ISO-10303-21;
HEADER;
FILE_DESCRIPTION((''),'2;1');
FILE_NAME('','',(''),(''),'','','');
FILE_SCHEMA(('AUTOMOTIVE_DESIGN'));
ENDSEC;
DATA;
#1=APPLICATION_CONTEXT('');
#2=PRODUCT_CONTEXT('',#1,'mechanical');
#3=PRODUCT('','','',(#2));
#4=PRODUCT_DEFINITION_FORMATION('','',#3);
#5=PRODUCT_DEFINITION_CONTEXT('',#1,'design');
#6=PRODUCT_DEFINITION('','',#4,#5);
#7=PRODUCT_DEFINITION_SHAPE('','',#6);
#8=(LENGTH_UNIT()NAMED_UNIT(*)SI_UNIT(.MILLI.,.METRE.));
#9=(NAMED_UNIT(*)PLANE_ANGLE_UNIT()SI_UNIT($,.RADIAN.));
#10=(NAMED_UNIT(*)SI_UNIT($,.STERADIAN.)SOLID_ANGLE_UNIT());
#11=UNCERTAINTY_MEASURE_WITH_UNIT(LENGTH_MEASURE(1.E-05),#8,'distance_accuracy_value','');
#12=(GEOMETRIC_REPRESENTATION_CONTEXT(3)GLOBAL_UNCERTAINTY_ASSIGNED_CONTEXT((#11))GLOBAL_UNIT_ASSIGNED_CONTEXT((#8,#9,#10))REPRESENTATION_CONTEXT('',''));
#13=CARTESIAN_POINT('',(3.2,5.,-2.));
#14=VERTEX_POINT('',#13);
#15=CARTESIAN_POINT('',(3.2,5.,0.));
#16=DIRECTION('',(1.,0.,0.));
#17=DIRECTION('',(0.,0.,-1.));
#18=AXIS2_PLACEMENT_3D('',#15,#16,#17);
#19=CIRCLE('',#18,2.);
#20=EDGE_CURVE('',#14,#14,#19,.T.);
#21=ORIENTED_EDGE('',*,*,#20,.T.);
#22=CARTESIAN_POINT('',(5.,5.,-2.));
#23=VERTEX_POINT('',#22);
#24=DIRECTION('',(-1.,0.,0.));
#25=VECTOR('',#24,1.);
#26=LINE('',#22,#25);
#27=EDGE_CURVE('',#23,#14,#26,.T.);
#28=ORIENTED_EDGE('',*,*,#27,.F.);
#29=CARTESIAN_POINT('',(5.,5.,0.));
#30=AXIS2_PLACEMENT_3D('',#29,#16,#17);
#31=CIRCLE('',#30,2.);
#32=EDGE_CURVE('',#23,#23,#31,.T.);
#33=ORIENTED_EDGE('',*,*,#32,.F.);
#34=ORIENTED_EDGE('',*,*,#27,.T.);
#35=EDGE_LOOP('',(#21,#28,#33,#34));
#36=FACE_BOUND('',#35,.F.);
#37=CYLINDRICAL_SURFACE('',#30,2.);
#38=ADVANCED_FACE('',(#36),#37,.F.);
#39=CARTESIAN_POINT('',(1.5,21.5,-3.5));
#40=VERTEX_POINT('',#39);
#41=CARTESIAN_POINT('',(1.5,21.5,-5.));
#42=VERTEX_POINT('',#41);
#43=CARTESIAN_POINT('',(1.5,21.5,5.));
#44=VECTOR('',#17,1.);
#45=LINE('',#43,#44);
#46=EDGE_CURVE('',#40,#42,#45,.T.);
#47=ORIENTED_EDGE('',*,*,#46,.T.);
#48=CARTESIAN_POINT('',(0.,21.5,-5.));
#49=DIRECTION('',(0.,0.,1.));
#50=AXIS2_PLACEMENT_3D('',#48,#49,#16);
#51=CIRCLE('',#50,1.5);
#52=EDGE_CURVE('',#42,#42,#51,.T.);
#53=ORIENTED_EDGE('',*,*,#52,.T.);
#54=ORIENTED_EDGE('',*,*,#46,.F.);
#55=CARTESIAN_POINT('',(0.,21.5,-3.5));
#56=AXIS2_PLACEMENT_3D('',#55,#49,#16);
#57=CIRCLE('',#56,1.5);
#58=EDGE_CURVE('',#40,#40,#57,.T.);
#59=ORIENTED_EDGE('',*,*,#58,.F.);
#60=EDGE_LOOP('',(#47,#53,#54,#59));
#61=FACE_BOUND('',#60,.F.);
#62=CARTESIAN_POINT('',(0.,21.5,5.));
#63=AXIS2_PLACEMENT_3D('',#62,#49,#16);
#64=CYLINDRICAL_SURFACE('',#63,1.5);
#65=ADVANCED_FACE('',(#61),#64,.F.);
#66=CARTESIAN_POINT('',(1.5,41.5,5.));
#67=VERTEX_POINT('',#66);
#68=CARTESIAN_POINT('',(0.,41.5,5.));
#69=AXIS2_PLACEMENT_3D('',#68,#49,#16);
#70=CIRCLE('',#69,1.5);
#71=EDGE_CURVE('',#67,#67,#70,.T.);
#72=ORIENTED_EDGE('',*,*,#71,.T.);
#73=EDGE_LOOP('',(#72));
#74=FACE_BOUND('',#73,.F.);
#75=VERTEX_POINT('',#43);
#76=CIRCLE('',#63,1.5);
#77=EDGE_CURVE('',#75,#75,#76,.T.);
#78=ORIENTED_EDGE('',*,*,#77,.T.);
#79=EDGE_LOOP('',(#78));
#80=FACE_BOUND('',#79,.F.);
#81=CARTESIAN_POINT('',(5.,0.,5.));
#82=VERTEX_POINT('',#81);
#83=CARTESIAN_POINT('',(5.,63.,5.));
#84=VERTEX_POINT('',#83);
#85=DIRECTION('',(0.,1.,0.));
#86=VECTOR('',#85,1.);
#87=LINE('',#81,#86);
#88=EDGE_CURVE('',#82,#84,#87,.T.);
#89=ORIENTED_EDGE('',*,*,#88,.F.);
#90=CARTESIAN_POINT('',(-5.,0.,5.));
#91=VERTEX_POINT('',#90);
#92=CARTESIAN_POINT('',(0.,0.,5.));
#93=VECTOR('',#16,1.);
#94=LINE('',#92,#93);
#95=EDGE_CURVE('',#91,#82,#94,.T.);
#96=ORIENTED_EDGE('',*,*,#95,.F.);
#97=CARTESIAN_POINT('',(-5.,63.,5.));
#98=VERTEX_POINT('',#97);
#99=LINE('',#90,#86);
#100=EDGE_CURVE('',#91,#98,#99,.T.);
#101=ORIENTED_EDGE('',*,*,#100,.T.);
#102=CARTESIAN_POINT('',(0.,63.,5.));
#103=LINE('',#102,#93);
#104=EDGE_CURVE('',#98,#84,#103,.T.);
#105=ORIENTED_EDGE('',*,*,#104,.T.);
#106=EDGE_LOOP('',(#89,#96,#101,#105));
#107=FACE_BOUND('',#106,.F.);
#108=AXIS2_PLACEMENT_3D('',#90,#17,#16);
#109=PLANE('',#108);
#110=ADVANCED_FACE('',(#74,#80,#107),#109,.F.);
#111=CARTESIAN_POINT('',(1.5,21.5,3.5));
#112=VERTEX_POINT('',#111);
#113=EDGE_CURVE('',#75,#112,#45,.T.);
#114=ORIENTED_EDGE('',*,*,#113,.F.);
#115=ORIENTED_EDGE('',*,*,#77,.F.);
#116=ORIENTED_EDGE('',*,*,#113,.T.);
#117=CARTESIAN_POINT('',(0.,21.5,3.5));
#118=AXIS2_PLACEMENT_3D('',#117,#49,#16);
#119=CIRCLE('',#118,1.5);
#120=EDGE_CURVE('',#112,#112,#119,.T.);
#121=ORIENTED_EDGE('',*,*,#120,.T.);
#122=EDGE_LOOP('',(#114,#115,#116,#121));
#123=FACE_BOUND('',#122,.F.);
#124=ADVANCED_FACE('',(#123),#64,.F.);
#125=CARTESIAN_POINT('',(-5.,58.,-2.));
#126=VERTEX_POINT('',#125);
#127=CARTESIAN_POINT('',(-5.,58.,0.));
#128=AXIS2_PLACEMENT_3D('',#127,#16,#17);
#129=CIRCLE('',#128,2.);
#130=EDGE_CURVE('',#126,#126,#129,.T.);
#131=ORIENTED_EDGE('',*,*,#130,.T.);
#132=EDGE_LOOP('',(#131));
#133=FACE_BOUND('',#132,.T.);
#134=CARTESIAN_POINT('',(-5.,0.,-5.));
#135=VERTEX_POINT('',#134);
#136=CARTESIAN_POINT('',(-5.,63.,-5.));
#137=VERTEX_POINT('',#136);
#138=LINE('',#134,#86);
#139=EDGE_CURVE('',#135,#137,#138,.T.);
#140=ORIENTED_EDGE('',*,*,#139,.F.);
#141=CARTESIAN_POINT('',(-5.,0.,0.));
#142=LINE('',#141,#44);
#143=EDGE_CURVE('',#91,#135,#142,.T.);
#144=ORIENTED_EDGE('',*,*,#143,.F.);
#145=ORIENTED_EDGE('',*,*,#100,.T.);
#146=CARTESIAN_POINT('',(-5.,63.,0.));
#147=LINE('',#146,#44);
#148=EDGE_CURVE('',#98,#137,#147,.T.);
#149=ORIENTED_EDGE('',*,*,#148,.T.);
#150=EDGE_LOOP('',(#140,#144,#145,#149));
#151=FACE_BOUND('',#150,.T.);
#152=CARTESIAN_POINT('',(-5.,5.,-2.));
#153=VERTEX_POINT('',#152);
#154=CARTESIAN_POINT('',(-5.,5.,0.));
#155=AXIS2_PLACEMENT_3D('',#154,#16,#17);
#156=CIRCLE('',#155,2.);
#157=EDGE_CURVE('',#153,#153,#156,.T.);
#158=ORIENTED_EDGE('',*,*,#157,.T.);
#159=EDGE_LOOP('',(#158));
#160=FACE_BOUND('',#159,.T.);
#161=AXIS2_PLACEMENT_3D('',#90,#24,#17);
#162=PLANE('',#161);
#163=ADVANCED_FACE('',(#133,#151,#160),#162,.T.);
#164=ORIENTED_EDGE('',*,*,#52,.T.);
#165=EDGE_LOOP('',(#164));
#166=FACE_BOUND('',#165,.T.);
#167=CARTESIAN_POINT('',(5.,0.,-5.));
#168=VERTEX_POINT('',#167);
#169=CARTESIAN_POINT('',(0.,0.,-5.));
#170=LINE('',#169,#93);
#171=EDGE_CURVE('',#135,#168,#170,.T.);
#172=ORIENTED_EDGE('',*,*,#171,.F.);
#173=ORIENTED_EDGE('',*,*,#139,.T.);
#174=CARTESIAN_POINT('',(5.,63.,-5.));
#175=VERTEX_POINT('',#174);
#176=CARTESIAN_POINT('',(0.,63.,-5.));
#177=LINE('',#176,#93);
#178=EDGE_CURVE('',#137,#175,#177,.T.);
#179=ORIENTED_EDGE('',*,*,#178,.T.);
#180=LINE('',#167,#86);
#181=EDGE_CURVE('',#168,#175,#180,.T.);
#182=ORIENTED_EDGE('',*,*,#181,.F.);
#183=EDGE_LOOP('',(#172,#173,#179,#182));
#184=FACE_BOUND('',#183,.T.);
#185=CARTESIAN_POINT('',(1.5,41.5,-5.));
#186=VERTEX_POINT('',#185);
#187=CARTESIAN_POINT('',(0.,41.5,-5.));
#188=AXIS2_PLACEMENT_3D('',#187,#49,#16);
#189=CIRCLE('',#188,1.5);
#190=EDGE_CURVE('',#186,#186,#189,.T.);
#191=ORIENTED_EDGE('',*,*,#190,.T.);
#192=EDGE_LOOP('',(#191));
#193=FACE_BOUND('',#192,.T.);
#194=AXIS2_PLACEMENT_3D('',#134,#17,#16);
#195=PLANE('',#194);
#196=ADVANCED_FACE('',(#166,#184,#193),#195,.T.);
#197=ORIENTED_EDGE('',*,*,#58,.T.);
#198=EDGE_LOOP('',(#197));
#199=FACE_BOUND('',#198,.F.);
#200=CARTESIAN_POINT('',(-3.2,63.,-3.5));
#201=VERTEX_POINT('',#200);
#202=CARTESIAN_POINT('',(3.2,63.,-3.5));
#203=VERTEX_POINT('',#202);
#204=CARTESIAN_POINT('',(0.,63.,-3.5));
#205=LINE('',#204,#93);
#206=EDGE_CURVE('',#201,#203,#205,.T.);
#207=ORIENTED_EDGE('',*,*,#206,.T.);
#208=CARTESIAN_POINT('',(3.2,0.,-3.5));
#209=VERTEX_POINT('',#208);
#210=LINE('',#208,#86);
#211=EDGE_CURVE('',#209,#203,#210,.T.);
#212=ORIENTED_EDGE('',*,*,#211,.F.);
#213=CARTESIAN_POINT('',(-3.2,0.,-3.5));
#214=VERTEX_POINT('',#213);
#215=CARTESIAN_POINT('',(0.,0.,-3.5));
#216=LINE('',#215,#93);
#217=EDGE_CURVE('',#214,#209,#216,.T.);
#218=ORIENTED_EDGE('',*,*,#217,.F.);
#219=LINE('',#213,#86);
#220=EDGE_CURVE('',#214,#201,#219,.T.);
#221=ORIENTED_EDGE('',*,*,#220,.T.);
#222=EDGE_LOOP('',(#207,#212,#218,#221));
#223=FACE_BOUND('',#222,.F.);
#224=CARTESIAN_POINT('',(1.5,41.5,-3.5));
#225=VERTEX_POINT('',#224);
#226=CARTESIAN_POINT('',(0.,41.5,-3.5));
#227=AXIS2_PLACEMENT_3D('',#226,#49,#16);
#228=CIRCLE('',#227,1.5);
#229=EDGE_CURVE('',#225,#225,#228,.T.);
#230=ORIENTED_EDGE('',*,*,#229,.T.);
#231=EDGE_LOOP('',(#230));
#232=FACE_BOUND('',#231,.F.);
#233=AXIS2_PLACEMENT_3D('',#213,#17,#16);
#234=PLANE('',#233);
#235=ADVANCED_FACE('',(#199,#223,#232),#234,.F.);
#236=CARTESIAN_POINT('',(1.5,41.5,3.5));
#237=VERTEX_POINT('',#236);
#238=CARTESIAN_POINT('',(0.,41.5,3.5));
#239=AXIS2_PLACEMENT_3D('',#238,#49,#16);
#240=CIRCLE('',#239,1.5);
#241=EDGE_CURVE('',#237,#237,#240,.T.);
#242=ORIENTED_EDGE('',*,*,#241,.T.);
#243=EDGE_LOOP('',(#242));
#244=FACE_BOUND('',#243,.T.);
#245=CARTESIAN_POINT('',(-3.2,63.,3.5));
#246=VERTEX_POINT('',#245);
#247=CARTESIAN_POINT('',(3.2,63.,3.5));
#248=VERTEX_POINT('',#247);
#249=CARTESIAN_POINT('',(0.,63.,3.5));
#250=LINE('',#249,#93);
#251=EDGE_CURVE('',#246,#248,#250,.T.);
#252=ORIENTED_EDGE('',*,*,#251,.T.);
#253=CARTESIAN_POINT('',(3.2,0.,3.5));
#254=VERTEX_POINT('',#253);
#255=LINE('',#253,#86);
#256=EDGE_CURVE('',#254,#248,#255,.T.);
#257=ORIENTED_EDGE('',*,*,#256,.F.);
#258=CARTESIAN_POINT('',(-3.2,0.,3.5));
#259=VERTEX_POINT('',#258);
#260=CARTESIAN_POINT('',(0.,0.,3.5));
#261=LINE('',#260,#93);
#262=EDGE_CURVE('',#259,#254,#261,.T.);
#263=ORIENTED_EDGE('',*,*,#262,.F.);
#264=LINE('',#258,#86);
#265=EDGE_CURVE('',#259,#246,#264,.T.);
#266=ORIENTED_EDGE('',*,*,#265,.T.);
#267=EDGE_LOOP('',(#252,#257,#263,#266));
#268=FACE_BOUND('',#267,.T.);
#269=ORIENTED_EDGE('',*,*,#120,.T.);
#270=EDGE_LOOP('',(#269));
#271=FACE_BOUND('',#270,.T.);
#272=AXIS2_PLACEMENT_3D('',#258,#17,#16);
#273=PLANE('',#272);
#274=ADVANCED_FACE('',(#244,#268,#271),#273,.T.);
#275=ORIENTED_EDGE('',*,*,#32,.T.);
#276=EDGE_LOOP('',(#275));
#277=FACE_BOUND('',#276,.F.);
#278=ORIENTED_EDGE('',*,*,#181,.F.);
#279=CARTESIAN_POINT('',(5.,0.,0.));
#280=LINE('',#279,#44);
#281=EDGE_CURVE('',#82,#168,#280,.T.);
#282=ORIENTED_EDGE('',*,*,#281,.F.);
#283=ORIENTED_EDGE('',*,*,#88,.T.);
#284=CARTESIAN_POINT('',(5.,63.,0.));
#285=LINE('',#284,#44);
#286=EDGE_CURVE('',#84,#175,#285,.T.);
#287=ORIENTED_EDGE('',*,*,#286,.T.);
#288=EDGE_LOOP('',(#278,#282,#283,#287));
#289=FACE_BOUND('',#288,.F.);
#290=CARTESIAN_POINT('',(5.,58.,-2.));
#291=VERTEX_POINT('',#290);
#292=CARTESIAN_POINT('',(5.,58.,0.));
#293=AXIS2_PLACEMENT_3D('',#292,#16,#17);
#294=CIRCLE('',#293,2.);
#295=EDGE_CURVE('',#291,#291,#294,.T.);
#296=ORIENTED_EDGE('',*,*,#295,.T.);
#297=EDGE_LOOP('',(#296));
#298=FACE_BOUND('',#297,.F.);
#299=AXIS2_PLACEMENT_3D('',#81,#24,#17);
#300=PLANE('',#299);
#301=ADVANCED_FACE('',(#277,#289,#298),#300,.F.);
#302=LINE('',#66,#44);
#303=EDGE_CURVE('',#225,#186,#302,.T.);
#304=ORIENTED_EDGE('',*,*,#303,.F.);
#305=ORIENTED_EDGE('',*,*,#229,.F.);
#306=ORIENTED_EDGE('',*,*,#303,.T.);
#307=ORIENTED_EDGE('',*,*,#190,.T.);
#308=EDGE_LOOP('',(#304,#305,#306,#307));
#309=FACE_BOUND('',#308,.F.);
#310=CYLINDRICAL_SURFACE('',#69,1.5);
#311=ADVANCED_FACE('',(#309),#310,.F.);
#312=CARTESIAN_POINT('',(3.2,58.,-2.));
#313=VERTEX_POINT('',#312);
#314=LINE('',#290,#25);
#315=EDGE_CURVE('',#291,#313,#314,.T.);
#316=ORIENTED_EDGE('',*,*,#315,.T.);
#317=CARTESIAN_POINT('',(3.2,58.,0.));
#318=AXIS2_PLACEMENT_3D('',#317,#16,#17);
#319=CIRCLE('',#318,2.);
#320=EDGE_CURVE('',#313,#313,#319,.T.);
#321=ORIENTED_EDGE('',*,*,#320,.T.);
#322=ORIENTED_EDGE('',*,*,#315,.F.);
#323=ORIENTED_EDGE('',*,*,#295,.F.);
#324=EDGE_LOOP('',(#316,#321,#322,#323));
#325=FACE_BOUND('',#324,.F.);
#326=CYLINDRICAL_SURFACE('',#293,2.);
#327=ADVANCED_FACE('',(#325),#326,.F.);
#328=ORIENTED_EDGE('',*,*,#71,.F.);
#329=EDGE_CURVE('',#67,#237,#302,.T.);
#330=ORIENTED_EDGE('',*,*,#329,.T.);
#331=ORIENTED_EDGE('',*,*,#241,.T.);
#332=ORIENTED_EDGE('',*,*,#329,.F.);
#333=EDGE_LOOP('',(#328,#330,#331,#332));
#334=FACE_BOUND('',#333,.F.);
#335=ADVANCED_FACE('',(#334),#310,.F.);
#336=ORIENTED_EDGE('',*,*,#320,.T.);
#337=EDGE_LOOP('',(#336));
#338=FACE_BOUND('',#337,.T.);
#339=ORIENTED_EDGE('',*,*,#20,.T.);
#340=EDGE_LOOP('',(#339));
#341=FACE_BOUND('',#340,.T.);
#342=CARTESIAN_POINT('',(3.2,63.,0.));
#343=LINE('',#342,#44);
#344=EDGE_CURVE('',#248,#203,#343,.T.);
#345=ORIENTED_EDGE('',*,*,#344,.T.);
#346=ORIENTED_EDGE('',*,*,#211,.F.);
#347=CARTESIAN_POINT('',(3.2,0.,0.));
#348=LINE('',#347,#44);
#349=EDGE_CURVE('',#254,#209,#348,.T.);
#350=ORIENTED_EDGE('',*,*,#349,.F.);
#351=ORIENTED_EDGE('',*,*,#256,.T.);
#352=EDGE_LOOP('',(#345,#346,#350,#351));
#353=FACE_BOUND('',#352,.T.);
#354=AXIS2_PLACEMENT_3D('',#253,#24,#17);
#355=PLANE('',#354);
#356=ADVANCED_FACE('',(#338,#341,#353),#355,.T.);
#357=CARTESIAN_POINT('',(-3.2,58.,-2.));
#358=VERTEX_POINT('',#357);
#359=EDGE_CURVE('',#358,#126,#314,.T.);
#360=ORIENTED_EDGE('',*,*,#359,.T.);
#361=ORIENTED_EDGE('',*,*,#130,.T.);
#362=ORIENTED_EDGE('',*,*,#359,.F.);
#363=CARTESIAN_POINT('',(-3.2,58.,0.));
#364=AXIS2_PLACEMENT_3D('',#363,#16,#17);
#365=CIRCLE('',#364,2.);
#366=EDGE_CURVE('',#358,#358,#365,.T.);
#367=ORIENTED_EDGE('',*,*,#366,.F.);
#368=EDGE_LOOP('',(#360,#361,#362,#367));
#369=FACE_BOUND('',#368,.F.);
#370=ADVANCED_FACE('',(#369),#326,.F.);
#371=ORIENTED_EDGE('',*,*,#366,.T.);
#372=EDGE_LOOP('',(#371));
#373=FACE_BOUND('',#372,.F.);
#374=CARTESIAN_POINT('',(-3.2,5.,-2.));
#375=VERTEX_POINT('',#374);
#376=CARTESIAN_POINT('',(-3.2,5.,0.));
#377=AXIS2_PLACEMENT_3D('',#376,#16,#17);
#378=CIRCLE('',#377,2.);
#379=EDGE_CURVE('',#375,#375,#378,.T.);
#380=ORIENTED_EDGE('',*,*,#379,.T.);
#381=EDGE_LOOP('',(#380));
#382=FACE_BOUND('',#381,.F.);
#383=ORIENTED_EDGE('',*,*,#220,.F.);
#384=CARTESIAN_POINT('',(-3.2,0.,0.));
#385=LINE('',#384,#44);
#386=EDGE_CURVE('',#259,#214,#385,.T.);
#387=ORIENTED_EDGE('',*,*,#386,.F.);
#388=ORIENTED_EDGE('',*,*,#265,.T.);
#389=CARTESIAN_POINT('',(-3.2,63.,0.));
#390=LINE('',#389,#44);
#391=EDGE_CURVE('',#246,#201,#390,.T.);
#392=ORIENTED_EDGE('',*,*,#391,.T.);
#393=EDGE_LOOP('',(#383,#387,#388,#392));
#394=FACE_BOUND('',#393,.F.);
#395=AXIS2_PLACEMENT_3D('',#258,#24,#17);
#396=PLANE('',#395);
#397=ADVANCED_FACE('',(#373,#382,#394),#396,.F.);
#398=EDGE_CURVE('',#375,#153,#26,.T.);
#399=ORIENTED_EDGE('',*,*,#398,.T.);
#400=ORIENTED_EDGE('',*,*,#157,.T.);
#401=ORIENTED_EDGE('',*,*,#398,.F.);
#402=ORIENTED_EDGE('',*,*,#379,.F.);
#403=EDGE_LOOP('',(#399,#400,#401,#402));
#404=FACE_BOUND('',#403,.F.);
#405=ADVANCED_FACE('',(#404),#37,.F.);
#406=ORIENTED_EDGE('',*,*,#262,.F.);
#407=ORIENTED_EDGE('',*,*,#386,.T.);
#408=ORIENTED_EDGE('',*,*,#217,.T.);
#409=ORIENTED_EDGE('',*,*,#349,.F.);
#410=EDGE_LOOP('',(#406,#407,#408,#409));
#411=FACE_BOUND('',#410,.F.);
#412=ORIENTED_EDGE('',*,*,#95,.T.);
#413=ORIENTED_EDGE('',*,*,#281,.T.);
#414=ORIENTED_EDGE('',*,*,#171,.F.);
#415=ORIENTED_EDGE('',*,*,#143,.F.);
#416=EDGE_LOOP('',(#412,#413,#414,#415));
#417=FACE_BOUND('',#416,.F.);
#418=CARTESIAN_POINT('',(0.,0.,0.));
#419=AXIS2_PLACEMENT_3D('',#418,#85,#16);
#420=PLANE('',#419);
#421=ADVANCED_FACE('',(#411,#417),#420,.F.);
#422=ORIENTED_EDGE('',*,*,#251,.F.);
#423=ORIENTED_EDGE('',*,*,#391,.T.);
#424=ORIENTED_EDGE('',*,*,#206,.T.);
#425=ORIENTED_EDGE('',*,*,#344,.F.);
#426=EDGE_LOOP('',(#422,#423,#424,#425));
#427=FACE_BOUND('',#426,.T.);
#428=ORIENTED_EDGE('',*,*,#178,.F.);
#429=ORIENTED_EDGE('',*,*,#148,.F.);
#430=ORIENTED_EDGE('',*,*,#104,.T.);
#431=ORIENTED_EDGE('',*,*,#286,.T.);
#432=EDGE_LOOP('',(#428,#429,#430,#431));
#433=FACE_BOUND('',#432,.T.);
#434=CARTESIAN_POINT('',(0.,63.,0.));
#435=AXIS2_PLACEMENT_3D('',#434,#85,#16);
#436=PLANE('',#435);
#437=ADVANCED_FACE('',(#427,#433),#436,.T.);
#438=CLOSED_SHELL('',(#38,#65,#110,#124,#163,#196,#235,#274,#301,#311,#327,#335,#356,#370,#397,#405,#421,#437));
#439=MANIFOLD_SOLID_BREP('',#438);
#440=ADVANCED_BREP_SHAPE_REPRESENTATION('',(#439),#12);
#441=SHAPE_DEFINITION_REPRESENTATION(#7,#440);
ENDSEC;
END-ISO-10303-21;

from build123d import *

# Parameters (mm, degrees)
SKETCH_1_W          = 10
SKETCH_1_H          = 10
SKETCH_1_W_2        = 6.4
SKETCH_1_H_2        = 7
EXTRUDE_1_DEPTH     = 63
SKETCH_2_R          = 1.5
CUT_EXTRUDE_1_DEPTH = 30
SKETCH_3_R          = 2
CUT_EXTRUDE_2_DEPTH = 30


with BuildPart() as part:
    # 草图1 → 凸台-拉伸1 (new body)
    with BuildSketch(Plane(origin=(0, 0, 0), x_dir=(1, 0, 0), z_dir=(0, 1, 0))):
        Rectangle(SKETCH_1_W, SKETCH_1_H)
        Rectangle(SKETCH_1_W_2, SKETCH_1_H_2, mode=Mode.SUBTRACT)
    extrude(amount=EXTRUDE_1_DEPTH)

    # 草图2 → 切除-拉伸1 (cut)
    with BuildSketch(Plane.XY.offset(5)):
        with Locations((0, 41.5)):
            Circle(SKETCH_2_R)
        with Locations((0, 21.5)):
            Circle(SKETCH_2_R)
    extrude(amount=-CUT_EXTRUDE_1_DEPTH, mode=Mode.SUBTRACT)

    # 草图3 → 切除-拉伸2 (cut)
    with BuildSketch(Plane(origin=(5, 0, 0), x_dir=(0, 0, -1), z_dir=(1, 0, 0))):
        with Locations((0, 5)):
            Circle(SKETCH_3_R)
        with Locations((0, 58)):
            Circle(SKETCH_3_R)
    extrude(amount=-CUT_EXTRUDE_2_DEPTH, mode=Mode.SUBTRACT)


solid = part.part
